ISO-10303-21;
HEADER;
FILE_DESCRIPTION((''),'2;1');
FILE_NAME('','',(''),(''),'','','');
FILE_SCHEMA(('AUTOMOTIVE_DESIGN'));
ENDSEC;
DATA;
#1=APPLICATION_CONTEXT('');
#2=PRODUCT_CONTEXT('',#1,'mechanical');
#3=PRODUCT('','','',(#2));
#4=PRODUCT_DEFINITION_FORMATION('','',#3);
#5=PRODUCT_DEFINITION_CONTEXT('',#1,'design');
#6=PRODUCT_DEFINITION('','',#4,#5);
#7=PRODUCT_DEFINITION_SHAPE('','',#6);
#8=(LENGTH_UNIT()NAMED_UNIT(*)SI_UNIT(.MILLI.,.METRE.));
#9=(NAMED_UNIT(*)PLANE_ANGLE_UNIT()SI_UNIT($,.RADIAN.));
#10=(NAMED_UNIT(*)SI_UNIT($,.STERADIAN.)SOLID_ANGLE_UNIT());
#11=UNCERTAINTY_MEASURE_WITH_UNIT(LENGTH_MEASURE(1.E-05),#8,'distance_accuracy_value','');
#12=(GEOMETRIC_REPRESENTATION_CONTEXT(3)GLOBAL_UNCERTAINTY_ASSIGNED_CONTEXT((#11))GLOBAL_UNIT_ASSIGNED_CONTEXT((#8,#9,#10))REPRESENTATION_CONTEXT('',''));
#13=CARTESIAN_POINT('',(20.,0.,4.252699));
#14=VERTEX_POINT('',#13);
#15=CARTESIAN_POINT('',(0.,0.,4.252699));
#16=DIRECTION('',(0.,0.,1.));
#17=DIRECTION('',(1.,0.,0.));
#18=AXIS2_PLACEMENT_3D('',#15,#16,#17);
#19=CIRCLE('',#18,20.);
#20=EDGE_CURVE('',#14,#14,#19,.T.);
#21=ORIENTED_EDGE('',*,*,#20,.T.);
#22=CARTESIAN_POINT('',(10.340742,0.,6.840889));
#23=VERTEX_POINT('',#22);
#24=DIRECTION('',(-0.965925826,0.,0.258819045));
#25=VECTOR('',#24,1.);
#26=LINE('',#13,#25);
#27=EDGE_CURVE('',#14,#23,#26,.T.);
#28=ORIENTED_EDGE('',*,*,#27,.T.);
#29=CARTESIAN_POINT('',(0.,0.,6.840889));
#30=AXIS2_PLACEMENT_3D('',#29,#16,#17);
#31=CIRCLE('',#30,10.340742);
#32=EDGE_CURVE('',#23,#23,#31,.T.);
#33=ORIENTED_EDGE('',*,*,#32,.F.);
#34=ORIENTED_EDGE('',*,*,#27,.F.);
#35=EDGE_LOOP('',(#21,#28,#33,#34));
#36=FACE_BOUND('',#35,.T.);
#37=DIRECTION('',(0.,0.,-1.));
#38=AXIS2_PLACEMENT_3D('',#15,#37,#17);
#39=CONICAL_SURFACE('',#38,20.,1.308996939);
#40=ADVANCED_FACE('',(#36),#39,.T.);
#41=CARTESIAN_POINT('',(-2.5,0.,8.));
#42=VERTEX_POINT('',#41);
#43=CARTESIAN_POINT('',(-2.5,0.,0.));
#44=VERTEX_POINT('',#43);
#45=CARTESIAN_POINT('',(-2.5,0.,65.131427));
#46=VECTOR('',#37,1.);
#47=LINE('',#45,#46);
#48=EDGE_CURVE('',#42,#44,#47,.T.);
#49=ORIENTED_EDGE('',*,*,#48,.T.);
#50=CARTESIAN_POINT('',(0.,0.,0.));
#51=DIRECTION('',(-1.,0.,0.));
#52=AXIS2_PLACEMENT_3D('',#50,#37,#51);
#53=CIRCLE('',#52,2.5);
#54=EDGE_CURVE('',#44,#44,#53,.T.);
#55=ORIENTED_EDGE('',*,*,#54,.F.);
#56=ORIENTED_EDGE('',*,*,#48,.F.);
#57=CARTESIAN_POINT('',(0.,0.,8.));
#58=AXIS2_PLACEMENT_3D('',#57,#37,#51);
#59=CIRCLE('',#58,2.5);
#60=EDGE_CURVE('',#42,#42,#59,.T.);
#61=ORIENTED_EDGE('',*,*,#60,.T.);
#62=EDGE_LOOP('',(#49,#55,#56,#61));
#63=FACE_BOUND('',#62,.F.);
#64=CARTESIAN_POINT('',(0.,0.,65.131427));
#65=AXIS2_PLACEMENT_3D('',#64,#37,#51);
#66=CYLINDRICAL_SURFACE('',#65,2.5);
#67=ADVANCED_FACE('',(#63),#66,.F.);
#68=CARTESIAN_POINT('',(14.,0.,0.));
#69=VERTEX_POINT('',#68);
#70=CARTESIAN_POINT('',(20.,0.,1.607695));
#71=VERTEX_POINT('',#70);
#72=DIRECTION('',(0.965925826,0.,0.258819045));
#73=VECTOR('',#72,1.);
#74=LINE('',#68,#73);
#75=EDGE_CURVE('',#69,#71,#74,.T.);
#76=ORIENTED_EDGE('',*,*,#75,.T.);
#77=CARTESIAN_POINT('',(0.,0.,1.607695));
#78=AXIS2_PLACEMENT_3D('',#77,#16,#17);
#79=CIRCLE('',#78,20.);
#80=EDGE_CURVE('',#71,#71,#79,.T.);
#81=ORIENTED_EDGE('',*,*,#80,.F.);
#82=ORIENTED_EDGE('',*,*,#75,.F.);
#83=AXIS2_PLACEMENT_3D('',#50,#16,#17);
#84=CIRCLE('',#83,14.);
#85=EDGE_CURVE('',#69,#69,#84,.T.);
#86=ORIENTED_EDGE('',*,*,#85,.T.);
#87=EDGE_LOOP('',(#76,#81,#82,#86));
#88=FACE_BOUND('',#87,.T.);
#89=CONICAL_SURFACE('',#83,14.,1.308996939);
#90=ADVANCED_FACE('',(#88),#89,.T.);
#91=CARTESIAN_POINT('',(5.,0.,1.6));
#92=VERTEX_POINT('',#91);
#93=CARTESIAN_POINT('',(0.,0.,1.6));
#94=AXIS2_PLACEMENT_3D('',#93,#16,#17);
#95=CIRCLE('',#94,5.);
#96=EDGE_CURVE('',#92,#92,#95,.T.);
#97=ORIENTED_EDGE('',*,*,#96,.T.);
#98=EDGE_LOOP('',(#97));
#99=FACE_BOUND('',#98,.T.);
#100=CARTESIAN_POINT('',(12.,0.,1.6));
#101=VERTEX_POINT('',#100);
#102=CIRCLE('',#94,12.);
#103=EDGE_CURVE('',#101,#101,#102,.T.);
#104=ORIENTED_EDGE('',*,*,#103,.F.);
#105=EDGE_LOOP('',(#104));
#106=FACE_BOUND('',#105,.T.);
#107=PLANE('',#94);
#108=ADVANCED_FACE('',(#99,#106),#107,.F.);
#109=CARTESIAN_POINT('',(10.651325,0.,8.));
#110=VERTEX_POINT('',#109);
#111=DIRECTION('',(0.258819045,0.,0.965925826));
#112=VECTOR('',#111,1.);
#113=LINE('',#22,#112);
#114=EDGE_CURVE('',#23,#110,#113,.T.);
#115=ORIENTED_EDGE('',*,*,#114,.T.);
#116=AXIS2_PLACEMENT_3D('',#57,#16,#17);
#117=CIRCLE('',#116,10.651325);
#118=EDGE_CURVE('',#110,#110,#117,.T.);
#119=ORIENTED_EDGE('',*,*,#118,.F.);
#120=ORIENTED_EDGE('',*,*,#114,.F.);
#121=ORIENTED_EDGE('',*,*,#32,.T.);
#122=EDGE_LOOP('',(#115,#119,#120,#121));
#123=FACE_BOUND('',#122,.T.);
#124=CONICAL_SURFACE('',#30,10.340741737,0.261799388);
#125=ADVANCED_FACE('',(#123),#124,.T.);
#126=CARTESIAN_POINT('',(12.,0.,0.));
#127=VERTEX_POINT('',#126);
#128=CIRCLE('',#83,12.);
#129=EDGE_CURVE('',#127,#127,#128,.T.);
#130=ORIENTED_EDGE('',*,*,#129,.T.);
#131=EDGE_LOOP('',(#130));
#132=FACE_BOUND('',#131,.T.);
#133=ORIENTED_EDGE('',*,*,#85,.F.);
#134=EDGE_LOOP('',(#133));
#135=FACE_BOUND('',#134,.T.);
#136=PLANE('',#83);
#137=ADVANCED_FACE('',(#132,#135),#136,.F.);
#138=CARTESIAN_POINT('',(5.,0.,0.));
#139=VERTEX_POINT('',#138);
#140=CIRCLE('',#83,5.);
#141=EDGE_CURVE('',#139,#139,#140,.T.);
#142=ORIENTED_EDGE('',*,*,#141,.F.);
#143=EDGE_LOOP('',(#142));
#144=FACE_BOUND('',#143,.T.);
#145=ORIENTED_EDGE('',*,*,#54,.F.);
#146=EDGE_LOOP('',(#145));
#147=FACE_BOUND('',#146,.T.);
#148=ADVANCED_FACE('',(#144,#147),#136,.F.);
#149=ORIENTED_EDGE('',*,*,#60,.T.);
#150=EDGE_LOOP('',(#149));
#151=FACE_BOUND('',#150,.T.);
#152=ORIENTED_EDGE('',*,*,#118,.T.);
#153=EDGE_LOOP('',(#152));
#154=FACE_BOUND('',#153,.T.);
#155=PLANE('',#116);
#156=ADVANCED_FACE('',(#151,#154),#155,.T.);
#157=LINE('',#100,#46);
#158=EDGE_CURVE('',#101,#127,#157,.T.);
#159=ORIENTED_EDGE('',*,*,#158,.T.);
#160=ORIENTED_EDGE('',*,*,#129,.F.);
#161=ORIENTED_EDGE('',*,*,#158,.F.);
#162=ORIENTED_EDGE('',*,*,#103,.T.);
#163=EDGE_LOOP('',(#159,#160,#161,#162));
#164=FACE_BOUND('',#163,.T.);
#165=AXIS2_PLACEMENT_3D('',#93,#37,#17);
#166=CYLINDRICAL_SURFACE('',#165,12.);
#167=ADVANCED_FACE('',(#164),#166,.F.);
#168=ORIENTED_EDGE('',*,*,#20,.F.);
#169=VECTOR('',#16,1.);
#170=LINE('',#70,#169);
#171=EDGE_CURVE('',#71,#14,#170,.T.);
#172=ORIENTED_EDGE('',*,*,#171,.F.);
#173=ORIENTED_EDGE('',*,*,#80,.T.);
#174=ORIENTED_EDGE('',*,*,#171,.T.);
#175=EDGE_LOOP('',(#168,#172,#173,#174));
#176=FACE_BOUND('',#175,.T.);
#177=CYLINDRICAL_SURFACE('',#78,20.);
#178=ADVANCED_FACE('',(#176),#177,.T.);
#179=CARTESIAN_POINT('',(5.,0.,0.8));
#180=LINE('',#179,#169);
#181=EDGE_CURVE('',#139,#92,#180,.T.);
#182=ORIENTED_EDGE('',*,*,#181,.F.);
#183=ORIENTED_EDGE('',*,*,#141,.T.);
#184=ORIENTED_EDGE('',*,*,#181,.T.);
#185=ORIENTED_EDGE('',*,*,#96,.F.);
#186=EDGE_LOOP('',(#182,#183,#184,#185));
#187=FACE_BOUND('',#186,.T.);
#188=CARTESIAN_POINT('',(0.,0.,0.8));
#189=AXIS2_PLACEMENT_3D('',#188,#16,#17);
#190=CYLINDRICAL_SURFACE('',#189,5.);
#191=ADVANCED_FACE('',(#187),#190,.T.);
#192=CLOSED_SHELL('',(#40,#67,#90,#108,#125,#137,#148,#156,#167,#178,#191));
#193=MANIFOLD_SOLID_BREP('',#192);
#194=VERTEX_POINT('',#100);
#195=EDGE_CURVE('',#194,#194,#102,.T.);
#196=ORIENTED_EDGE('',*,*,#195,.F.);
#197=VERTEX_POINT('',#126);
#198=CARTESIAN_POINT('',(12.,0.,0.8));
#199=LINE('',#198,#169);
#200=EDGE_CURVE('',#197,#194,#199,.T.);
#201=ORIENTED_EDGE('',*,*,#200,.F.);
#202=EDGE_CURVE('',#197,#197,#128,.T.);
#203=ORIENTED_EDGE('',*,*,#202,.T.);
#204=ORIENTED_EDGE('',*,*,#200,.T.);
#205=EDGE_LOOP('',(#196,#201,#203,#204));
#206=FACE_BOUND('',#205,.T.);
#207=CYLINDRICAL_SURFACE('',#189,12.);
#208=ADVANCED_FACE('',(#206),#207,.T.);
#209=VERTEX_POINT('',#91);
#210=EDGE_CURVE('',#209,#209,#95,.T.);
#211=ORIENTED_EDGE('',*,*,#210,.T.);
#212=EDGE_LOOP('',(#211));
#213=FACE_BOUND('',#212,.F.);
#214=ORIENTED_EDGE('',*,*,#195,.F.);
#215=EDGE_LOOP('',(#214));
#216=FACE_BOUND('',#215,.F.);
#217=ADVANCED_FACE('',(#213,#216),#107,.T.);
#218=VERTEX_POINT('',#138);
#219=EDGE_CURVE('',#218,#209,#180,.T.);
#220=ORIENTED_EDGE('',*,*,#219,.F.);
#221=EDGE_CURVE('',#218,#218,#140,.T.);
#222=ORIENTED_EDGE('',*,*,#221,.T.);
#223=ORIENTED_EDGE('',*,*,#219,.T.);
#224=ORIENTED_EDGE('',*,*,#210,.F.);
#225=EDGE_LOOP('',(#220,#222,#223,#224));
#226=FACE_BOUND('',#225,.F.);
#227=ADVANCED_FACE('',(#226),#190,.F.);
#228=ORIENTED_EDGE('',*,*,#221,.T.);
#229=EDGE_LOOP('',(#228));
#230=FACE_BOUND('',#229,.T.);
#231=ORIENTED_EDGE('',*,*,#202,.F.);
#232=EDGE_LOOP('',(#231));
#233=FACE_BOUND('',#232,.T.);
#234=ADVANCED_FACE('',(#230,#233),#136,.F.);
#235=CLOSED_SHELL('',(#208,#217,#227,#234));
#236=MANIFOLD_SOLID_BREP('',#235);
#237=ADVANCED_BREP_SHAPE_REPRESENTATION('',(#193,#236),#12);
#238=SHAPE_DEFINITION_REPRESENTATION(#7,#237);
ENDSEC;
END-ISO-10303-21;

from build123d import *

# Parameters (mm, degrees)
F0_W   = 7
F0_H   = 1.6
F0_W_2 = 5
F4_D   = 5


with BuildPart() as f1:
    # F0 (on Front) → F1 (revolve)
    with BuildSketch(Plane.XZ):
        with Locations((8.5, 0.8)):
            Rectangle(F0_W, F0_H)
    revolve(axis=Axis((0, 0, 0.8), (0, 0, 1)))


with BuildPart() as f2:
    # F0 (on Front) → F2 (revolve)
    with BuildSketch(Plane.XZ):
        Polygon((0, 8), (0, 1.6), (5, 1.6), (12, 1.6), (12, 0), (14, 0), (20, 1.6076951546), (20, 4.2526985574), (10.3407417371, 6.8408890085), (6.014880625, 8), align=None)
        with Locations((2.5, 0.8)):
            Rectangle(F0_W_2, F0_H)
        Polygon((10.6513245912, 8), (6.014880625, 8), (10.3407417371, 6.8408890085), align=None)
    revolve(axis=Axis((0, 0, 4), (0, 0, 1)))

    # F4 (through all)
    with Locations(Plane.XY.offset(8)):
        with Locations((0, 0)):
            Hole(F4_D / 2)


solid = Compound([f1.part, f2.part])
